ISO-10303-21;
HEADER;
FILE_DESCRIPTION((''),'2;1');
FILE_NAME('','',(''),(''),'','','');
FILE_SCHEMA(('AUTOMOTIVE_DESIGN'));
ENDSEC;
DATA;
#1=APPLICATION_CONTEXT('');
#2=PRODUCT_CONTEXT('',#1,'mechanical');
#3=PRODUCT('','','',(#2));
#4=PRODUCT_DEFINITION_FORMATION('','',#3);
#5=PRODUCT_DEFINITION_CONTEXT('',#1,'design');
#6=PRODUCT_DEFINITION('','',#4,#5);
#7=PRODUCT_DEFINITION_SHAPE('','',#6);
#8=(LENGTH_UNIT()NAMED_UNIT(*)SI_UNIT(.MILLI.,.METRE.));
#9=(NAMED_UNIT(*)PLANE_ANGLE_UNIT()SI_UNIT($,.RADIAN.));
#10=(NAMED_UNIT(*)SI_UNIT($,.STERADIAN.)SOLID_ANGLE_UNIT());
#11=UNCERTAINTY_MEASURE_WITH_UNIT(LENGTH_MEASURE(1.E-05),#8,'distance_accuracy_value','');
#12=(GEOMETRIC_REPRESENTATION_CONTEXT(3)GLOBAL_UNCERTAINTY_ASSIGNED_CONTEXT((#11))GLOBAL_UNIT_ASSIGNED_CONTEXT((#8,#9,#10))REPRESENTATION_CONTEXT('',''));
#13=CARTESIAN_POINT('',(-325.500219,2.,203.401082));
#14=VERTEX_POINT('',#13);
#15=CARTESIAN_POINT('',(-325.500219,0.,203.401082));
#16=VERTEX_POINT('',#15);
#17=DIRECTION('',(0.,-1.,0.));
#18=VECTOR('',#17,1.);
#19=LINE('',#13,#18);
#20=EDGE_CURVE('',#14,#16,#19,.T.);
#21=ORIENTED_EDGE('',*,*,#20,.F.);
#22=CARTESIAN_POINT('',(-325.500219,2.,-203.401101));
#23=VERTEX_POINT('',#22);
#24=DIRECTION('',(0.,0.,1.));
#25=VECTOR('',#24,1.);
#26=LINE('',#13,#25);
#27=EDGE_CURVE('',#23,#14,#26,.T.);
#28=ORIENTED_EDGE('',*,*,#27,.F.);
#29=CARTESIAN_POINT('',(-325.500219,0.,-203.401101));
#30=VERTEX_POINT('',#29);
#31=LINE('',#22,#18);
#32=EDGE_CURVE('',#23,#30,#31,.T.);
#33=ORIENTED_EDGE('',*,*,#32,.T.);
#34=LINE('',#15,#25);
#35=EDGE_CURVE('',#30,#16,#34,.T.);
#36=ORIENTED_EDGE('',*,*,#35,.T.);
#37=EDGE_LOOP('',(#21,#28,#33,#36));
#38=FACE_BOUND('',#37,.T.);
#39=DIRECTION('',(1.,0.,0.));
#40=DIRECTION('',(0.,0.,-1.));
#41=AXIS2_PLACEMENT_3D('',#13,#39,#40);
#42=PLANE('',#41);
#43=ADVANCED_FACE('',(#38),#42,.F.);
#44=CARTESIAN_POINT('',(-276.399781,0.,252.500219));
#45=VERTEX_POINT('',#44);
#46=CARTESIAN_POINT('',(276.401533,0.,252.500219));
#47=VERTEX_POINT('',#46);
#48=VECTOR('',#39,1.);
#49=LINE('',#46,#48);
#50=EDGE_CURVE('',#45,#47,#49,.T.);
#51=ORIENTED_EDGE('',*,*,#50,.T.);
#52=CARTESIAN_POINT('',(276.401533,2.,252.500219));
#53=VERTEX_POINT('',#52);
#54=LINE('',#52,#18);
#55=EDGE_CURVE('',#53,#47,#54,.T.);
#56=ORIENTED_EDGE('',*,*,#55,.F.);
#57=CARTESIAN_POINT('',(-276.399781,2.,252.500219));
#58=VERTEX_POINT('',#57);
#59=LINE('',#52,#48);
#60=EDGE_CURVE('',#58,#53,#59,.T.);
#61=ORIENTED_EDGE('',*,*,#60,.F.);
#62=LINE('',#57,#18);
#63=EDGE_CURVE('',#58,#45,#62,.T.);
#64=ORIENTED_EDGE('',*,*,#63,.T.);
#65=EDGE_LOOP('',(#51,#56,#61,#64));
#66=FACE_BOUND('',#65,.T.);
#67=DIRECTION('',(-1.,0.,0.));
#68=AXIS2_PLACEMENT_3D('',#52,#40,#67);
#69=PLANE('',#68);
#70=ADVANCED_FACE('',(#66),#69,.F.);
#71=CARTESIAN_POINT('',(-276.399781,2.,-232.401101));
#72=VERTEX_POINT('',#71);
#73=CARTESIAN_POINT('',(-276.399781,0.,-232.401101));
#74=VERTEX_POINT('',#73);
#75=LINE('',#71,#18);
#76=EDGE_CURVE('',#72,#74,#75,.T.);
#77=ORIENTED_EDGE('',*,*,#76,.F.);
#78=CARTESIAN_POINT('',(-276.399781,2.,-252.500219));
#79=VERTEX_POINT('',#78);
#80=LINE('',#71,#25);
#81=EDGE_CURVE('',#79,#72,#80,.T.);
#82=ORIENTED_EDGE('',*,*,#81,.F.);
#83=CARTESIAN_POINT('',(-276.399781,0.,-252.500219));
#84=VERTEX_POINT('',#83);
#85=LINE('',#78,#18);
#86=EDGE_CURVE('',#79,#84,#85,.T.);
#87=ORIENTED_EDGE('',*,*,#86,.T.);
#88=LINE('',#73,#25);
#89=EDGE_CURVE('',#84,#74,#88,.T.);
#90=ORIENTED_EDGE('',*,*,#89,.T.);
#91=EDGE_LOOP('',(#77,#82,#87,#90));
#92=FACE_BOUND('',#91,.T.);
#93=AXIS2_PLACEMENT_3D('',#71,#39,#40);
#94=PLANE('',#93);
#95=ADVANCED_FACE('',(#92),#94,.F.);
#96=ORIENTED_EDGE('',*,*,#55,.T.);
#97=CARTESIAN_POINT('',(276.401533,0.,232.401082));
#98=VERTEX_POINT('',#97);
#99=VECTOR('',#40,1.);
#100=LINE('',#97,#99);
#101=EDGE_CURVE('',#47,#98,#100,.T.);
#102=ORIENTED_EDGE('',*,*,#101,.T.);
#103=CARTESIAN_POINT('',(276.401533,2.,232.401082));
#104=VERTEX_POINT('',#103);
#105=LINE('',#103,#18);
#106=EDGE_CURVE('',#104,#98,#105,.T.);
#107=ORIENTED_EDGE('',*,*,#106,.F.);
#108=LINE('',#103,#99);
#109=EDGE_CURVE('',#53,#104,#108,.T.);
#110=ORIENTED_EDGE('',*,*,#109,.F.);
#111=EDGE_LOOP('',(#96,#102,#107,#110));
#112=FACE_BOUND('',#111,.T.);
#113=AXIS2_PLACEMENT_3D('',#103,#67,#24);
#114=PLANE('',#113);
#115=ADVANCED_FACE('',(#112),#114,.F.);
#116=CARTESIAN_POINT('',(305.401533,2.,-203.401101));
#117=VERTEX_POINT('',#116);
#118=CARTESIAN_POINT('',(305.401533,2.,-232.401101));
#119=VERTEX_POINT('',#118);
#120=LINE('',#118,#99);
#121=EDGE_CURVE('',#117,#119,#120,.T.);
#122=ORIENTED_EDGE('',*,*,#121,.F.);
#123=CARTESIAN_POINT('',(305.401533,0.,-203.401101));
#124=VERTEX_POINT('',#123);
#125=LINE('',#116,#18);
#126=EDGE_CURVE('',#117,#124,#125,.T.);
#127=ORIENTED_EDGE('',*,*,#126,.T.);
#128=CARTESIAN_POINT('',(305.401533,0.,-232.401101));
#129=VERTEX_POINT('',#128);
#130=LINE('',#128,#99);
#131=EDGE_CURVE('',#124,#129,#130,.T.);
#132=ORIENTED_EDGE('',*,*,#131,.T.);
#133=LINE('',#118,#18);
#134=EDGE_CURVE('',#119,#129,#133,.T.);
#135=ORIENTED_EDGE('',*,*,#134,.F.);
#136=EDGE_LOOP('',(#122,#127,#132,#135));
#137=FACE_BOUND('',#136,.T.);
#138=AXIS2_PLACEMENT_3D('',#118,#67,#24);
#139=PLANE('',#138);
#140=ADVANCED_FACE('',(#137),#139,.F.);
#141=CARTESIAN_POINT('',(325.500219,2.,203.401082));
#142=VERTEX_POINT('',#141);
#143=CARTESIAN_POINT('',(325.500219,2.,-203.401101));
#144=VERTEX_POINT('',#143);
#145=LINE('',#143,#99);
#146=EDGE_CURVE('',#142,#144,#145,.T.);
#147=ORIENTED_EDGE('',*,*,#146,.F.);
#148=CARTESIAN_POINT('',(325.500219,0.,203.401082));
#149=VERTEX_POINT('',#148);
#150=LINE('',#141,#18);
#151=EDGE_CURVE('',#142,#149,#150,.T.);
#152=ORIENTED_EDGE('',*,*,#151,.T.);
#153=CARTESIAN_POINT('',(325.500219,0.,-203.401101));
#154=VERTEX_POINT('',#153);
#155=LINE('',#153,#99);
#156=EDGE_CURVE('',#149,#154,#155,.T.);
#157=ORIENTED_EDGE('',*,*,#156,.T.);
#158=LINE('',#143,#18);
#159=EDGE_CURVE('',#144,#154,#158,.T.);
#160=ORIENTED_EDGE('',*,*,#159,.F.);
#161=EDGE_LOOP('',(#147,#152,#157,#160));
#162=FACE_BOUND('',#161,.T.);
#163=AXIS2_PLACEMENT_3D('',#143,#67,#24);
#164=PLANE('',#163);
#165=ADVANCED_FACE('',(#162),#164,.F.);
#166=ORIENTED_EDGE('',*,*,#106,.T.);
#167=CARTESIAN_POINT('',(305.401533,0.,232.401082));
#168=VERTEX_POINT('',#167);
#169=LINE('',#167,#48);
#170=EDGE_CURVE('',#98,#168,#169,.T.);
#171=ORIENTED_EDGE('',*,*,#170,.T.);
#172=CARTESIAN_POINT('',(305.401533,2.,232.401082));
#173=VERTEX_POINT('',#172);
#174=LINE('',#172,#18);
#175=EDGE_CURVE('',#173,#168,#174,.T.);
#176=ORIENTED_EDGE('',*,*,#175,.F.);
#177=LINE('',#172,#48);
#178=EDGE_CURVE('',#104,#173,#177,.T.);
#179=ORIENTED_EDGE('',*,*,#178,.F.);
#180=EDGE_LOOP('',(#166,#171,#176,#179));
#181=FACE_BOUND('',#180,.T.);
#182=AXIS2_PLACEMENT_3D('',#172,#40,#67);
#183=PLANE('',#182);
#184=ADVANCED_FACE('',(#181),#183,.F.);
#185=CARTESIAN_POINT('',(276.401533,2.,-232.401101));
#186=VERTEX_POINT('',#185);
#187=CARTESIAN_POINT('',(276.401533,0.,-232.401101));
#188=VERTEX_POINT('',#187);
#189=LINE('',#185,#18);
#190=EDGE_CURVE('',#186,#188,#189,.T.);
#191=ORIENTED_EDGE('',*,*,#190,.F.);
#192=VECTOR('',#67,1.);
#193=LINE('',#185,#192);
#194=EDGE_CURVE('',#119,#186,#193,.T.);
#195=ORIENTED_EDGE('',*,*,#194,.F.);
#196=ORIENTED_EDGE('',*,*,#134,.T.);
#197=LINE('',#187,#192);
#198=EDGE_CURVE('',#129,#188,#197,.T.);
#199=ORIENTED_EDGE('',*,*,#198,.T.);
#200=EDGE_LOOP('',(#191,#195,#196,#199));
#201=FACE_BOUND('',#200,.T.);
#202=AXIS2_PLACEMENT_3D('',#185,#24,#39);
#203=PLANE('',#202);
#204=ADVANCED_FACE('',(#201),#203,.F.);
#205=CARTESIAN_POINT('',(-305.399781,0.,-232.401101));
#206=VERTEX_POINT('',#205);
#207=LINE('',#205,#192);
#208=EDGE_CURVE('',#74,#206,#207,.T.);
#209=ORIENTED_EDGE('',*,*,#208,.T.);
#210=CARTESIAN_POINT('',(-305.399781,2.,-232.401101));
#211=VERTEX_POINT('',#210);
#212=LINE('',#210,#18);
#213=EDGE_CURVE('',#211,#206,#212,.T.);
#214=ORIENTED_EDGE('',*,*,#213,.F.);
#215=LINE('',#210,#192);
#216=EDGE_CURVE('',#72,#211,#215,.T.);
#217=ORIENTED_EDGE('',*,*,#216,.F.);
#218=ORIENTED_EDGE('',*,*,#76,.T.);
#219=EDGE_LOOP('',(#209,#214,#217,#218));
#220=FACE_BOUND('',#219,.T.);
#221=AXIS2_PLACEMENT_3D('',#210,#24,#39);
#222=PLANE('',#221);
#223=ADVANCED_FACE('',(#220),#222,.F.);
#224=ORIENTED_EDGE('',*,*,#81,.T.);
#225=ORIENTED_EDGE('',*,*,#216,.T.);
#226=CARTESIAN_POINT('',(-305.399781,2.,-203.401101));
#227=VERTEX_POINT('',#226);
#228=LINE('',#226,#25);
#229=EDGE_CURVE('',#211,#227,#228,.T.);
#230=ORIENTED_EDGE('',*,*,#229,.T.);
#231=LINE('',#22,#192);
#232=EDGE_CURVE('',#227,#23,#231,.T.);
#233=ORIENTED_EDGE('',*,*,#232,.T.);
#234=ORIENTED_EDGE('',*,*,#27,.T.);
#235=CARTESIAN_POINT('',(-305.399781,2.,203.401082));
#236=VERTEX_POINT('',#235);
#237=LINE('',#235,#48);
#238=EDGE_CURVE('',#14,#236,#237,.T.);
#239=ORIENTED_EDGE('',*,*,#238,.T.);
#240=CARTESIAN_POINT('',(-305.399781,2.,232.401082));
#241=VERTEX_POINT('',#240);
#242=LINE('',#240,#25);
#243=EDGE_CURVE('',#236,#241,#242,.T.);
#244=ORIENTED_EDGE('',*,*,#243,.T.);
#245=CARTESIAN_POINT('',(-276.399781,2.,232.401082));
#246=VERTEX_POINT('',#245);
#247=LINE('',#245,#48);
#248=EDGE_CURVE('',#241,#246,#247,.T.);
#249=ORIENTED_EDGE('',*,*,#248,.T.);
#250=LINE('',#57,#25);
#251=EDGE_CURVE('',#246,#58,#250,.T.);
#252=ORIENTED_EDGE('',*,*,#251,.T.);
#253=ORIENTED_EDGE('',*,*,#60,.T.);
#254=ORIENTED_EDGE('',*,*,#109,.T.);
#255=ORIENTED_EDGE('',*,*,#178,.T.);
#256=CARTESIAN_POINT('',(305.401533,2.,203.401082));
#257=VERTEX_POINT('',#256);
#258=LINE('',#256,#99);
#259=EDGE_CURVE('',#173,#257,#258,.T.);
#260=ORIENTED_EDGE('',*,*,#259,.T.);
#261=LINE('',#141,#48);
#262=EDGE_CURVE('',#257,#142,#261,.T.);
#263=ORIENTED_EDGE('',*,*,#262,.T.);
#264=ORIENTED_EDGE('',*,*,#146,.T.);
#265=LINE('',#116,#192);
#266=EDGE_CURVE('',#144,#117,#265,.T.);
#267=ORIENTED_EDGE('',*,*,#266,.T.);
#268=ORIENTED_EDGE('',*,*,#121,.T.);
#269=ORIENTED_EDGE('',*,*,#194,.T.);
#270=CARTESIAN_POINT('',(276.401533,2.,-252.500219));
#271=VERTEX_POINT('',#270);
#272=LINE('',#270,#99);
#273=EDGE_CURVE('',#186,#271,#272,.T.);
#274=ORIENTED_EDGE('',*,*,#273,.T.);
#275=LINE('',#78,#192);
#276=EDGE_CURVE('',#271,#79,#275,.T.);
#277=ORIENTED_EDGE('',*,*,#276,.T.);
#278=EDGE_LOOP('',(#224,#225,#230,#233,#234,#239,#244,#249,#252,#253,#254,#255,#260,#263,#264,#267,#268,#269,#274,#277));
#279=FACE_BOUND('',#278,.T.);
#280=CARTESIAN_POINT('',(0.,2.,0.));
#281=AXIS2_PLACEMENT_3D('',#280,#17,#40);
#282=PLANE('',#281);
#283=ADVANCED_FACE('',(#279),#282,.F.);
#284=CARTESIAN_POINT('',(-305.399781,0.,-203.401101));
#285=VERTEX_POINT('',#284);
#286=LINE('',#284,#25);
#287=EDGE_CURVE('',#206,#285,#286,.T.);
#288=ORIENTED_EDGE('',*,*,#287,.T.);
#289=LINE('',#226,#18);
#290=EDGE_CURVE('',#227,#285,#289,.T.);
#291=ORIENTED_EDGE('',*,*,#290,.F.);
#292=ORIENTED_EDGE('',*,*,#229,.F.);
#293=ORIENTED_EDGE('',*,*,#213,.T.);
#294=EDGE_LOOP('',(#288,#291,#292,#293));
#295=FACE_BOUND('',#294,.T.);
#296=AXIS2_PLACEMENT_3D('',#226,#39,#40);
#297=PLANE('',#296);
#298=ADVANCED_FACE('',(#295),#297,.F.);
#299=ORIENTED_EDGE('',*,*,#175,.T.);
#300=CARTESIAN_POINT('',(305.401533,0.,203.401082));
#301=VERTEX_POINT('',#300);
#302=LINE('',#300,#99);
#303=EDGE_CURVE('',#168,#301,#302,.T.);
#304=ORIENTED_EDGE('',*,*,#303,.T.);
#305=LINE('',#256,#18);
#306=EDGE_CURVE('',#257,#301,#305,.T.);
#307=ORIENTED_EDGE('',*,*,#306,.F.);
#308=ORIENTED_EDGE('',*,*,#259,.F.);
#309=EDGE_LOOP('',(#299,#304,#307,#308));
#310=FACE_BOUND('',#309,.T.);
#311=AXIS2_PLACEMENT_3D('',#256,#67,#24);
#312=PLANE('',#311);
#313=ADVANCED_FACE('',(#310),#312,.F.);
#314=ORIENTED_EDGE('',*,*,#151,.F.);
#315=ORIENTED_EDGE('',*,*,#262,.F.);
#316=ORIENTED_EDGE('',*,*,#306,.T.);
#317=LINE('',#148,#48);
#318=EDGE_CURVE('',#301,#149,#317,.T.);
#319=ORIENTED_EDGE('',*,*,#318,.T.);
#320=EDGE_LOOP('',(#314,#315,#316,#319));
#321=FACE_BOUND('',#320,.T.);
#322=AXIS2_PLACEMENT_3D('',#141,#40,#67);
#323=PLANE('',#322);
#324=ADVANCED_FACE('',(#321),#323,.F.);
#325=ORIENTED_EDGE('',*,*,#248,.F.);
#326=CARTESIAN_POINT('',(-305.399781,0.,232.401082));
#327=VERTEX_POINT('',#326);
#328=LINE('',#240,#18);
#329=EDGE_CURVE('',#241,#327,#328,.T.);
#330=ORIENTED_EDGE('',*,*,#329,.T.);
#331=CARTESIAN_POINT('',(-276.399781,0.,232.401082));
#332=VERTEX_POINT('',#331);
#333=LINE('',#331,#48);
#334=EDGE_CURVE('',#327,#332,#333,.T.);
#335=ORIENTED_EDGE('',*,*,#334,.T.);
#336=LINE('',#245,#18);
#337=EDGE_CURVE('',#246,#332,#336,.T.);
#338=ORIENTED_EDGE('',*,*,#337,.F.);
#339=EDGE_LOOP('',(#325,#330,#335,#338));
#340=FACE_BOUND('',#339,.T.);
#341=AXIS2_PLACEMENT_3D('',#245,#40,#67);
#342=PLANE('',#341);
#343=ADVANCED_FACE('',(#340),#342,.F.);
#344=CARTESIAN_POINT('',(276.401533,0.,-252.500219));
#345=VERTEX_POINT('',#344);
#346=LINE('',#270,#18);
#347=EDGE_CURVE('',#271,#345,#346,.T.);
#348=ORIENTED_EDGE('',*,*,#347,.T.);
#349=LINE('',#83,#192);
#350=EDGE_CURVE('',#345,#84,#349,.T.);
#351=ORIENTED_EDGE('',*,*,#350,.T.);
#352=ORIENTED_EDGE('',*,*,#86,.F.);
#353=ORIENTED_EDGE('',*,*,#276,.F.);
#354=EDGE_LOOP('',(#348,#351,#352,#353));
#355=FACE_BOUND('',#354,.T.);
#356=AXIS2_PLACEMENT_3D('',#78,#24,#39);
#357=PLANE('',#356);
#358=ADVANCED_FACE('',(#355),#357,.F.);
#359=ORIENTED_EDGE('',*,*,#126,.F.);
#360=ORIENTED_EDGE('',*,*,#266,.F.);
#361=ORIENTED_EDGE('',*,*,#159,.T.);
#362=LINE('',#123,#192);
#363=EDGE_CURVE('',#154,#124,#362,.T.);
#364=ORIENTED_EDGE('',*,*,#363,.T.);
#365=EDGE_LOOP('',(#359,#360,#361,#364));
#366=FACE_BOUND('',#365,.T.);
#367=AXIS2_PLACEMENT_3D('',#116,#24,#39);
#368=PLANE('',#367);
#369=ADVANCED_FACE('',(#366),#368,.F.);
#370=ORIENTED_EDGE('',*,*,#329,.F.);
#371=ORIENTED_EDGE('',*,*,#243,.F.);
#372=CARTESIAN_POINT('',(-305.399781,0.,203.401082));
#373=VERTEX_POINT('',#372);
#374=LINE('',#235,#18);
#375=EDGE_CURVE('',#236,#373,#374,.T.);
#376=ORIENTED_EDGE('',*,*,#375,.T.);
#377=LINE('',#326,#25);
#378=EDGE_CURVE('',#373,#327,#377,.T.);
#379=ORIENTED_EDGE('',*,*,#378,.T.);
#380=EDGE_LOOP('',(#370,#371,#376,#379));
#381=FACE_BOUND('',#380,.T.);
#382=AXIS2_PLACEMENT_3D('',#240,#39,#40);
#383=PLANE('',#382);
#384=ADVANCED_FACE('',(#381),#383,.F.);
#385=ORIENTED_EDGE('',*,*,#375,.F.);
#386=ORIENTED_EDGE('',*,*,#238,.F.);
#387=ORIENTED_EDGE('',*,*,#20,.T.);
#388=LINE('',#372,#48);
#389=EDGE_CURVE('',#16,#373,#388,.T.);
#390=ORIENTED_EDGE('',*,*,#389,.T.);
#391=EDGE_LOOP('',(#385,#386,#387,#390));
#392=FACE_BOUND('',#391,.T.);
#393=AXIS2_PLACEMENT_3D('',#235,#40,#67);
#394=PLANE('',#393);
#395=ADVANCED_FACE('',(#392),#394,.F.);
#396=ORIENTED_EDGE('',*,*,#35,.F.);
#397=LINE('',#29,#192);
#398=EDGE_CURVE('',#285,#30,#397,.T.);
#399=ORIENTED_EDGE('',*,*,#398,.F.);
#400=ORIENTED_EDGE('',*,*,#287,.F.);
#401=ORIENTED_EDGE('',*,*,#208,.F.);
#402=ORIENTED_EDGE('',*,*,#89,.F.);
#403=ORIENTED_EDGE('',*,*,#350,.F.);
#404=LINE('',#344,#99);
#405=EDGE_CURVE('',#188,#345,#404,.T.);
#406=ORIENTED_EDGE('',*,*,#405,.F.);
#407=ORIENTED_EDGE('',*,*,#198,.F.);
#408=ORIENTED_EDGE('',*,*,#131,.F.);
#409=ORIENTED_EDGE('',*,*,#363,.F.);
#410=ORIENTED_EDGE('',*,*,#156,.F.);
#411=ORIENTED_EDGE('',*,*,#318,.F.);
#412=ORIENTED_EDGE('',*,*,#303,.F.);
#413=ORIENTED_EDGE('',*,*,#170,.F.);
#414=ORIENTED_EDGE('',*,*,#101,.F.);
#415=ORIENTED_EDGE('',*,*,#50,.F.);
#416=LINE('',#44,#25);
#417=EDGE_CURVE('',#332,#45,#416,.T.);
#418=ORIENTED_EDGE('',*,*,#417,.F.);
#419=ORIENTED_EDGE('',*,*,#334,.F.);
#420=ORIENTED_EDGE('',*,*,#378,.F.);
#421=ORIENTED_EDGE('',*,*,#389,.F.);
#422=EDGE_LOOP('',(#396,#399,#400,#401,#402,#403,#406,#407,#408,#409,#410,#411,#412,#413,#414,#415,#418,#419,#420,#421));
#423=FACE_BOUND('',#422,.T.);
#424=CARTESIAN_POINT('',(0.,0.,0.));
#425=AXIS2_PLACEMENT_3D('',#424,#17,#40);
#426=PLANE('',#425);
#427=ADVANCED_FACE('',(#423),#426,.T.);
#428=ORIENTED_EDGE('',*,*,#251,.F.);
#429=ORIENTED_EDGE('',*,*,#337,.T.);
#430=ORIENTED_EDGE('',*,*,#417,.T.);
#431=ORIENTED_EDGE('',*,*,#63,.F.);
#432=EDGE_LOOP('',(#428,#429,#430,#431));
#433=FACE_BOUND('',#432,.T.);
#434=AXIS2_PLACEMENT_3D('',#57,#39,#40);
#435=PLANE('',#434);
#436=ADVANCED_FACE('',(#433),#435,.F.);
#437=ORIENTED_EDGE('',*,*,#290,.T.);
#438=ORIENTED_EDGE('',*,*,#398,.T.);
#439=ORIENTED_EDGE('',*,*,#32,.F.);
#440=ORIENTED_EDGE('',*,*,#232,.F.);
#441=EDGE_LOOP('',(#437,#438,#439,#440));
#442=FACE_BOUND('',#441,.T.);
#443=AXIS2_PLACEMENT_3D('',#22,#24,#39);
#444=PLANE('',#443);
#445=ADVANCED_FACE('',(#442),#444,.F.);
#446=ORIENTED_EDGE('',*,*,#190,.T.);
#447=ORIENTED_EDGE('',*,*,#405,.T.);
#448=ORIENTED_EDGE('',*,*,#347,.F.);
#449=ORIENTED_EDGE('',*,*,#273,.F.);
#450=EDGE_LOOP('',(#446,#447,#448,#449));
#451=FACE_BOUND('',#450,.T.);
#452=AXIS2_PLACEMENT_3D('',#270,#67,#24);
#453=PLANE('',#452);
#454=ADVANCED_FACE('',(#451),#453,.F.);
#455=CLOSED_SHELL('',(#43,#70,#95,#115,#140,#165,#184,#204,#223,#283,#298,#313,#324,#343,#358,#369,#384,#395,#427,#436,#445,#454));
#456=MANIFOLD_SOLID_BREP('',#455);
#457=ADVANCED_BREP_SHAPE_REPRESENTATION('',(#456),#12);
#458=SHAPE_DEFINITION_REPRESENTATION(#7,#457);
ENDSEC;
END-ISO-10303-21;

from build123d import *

# Parameters (mm, degrees)
BOSS_EXTRUDE1_DEPTH = 2


with BuildPart() as part:
    # Sketch1 → Boss-Extrude1 (new body)
    with BuildSketch(Plane(origin=(0, 0, 0), x_dir=(1, 0, 0), z_dir=(0, 1, 0))):
        Polygon((-276.39978149, -252.50021851), (-276.39978149, -232.401081902), (-305.39978149, -232.401081902), (-305.39978149, -203.401081902), (-325.50021851, -203.401081902), (-325.50021851, 203.401101302), (-305.39978149, 203.401101302), (-305.39978149, 232.401101302), (-276.39978149, 232.401101302), (-276.39978149, 252.50021851), (276.401533304, 252.50021851), (276.401533304, 232.401101302), (305.401533304, 232.401101302), (305.401533304, 203.401101302), (325.50021851, 203.401101302), (325.50021851, -203.401081902), (305.401533304, -203.401081902), (305.401533304, -232.401081902), (276.401533304, -232.401081902), (276.401533304, -252.50021851), align=None)
    extrude(amount=BOSS_EXTRUDE1_DEPTH)


solid = part.part
